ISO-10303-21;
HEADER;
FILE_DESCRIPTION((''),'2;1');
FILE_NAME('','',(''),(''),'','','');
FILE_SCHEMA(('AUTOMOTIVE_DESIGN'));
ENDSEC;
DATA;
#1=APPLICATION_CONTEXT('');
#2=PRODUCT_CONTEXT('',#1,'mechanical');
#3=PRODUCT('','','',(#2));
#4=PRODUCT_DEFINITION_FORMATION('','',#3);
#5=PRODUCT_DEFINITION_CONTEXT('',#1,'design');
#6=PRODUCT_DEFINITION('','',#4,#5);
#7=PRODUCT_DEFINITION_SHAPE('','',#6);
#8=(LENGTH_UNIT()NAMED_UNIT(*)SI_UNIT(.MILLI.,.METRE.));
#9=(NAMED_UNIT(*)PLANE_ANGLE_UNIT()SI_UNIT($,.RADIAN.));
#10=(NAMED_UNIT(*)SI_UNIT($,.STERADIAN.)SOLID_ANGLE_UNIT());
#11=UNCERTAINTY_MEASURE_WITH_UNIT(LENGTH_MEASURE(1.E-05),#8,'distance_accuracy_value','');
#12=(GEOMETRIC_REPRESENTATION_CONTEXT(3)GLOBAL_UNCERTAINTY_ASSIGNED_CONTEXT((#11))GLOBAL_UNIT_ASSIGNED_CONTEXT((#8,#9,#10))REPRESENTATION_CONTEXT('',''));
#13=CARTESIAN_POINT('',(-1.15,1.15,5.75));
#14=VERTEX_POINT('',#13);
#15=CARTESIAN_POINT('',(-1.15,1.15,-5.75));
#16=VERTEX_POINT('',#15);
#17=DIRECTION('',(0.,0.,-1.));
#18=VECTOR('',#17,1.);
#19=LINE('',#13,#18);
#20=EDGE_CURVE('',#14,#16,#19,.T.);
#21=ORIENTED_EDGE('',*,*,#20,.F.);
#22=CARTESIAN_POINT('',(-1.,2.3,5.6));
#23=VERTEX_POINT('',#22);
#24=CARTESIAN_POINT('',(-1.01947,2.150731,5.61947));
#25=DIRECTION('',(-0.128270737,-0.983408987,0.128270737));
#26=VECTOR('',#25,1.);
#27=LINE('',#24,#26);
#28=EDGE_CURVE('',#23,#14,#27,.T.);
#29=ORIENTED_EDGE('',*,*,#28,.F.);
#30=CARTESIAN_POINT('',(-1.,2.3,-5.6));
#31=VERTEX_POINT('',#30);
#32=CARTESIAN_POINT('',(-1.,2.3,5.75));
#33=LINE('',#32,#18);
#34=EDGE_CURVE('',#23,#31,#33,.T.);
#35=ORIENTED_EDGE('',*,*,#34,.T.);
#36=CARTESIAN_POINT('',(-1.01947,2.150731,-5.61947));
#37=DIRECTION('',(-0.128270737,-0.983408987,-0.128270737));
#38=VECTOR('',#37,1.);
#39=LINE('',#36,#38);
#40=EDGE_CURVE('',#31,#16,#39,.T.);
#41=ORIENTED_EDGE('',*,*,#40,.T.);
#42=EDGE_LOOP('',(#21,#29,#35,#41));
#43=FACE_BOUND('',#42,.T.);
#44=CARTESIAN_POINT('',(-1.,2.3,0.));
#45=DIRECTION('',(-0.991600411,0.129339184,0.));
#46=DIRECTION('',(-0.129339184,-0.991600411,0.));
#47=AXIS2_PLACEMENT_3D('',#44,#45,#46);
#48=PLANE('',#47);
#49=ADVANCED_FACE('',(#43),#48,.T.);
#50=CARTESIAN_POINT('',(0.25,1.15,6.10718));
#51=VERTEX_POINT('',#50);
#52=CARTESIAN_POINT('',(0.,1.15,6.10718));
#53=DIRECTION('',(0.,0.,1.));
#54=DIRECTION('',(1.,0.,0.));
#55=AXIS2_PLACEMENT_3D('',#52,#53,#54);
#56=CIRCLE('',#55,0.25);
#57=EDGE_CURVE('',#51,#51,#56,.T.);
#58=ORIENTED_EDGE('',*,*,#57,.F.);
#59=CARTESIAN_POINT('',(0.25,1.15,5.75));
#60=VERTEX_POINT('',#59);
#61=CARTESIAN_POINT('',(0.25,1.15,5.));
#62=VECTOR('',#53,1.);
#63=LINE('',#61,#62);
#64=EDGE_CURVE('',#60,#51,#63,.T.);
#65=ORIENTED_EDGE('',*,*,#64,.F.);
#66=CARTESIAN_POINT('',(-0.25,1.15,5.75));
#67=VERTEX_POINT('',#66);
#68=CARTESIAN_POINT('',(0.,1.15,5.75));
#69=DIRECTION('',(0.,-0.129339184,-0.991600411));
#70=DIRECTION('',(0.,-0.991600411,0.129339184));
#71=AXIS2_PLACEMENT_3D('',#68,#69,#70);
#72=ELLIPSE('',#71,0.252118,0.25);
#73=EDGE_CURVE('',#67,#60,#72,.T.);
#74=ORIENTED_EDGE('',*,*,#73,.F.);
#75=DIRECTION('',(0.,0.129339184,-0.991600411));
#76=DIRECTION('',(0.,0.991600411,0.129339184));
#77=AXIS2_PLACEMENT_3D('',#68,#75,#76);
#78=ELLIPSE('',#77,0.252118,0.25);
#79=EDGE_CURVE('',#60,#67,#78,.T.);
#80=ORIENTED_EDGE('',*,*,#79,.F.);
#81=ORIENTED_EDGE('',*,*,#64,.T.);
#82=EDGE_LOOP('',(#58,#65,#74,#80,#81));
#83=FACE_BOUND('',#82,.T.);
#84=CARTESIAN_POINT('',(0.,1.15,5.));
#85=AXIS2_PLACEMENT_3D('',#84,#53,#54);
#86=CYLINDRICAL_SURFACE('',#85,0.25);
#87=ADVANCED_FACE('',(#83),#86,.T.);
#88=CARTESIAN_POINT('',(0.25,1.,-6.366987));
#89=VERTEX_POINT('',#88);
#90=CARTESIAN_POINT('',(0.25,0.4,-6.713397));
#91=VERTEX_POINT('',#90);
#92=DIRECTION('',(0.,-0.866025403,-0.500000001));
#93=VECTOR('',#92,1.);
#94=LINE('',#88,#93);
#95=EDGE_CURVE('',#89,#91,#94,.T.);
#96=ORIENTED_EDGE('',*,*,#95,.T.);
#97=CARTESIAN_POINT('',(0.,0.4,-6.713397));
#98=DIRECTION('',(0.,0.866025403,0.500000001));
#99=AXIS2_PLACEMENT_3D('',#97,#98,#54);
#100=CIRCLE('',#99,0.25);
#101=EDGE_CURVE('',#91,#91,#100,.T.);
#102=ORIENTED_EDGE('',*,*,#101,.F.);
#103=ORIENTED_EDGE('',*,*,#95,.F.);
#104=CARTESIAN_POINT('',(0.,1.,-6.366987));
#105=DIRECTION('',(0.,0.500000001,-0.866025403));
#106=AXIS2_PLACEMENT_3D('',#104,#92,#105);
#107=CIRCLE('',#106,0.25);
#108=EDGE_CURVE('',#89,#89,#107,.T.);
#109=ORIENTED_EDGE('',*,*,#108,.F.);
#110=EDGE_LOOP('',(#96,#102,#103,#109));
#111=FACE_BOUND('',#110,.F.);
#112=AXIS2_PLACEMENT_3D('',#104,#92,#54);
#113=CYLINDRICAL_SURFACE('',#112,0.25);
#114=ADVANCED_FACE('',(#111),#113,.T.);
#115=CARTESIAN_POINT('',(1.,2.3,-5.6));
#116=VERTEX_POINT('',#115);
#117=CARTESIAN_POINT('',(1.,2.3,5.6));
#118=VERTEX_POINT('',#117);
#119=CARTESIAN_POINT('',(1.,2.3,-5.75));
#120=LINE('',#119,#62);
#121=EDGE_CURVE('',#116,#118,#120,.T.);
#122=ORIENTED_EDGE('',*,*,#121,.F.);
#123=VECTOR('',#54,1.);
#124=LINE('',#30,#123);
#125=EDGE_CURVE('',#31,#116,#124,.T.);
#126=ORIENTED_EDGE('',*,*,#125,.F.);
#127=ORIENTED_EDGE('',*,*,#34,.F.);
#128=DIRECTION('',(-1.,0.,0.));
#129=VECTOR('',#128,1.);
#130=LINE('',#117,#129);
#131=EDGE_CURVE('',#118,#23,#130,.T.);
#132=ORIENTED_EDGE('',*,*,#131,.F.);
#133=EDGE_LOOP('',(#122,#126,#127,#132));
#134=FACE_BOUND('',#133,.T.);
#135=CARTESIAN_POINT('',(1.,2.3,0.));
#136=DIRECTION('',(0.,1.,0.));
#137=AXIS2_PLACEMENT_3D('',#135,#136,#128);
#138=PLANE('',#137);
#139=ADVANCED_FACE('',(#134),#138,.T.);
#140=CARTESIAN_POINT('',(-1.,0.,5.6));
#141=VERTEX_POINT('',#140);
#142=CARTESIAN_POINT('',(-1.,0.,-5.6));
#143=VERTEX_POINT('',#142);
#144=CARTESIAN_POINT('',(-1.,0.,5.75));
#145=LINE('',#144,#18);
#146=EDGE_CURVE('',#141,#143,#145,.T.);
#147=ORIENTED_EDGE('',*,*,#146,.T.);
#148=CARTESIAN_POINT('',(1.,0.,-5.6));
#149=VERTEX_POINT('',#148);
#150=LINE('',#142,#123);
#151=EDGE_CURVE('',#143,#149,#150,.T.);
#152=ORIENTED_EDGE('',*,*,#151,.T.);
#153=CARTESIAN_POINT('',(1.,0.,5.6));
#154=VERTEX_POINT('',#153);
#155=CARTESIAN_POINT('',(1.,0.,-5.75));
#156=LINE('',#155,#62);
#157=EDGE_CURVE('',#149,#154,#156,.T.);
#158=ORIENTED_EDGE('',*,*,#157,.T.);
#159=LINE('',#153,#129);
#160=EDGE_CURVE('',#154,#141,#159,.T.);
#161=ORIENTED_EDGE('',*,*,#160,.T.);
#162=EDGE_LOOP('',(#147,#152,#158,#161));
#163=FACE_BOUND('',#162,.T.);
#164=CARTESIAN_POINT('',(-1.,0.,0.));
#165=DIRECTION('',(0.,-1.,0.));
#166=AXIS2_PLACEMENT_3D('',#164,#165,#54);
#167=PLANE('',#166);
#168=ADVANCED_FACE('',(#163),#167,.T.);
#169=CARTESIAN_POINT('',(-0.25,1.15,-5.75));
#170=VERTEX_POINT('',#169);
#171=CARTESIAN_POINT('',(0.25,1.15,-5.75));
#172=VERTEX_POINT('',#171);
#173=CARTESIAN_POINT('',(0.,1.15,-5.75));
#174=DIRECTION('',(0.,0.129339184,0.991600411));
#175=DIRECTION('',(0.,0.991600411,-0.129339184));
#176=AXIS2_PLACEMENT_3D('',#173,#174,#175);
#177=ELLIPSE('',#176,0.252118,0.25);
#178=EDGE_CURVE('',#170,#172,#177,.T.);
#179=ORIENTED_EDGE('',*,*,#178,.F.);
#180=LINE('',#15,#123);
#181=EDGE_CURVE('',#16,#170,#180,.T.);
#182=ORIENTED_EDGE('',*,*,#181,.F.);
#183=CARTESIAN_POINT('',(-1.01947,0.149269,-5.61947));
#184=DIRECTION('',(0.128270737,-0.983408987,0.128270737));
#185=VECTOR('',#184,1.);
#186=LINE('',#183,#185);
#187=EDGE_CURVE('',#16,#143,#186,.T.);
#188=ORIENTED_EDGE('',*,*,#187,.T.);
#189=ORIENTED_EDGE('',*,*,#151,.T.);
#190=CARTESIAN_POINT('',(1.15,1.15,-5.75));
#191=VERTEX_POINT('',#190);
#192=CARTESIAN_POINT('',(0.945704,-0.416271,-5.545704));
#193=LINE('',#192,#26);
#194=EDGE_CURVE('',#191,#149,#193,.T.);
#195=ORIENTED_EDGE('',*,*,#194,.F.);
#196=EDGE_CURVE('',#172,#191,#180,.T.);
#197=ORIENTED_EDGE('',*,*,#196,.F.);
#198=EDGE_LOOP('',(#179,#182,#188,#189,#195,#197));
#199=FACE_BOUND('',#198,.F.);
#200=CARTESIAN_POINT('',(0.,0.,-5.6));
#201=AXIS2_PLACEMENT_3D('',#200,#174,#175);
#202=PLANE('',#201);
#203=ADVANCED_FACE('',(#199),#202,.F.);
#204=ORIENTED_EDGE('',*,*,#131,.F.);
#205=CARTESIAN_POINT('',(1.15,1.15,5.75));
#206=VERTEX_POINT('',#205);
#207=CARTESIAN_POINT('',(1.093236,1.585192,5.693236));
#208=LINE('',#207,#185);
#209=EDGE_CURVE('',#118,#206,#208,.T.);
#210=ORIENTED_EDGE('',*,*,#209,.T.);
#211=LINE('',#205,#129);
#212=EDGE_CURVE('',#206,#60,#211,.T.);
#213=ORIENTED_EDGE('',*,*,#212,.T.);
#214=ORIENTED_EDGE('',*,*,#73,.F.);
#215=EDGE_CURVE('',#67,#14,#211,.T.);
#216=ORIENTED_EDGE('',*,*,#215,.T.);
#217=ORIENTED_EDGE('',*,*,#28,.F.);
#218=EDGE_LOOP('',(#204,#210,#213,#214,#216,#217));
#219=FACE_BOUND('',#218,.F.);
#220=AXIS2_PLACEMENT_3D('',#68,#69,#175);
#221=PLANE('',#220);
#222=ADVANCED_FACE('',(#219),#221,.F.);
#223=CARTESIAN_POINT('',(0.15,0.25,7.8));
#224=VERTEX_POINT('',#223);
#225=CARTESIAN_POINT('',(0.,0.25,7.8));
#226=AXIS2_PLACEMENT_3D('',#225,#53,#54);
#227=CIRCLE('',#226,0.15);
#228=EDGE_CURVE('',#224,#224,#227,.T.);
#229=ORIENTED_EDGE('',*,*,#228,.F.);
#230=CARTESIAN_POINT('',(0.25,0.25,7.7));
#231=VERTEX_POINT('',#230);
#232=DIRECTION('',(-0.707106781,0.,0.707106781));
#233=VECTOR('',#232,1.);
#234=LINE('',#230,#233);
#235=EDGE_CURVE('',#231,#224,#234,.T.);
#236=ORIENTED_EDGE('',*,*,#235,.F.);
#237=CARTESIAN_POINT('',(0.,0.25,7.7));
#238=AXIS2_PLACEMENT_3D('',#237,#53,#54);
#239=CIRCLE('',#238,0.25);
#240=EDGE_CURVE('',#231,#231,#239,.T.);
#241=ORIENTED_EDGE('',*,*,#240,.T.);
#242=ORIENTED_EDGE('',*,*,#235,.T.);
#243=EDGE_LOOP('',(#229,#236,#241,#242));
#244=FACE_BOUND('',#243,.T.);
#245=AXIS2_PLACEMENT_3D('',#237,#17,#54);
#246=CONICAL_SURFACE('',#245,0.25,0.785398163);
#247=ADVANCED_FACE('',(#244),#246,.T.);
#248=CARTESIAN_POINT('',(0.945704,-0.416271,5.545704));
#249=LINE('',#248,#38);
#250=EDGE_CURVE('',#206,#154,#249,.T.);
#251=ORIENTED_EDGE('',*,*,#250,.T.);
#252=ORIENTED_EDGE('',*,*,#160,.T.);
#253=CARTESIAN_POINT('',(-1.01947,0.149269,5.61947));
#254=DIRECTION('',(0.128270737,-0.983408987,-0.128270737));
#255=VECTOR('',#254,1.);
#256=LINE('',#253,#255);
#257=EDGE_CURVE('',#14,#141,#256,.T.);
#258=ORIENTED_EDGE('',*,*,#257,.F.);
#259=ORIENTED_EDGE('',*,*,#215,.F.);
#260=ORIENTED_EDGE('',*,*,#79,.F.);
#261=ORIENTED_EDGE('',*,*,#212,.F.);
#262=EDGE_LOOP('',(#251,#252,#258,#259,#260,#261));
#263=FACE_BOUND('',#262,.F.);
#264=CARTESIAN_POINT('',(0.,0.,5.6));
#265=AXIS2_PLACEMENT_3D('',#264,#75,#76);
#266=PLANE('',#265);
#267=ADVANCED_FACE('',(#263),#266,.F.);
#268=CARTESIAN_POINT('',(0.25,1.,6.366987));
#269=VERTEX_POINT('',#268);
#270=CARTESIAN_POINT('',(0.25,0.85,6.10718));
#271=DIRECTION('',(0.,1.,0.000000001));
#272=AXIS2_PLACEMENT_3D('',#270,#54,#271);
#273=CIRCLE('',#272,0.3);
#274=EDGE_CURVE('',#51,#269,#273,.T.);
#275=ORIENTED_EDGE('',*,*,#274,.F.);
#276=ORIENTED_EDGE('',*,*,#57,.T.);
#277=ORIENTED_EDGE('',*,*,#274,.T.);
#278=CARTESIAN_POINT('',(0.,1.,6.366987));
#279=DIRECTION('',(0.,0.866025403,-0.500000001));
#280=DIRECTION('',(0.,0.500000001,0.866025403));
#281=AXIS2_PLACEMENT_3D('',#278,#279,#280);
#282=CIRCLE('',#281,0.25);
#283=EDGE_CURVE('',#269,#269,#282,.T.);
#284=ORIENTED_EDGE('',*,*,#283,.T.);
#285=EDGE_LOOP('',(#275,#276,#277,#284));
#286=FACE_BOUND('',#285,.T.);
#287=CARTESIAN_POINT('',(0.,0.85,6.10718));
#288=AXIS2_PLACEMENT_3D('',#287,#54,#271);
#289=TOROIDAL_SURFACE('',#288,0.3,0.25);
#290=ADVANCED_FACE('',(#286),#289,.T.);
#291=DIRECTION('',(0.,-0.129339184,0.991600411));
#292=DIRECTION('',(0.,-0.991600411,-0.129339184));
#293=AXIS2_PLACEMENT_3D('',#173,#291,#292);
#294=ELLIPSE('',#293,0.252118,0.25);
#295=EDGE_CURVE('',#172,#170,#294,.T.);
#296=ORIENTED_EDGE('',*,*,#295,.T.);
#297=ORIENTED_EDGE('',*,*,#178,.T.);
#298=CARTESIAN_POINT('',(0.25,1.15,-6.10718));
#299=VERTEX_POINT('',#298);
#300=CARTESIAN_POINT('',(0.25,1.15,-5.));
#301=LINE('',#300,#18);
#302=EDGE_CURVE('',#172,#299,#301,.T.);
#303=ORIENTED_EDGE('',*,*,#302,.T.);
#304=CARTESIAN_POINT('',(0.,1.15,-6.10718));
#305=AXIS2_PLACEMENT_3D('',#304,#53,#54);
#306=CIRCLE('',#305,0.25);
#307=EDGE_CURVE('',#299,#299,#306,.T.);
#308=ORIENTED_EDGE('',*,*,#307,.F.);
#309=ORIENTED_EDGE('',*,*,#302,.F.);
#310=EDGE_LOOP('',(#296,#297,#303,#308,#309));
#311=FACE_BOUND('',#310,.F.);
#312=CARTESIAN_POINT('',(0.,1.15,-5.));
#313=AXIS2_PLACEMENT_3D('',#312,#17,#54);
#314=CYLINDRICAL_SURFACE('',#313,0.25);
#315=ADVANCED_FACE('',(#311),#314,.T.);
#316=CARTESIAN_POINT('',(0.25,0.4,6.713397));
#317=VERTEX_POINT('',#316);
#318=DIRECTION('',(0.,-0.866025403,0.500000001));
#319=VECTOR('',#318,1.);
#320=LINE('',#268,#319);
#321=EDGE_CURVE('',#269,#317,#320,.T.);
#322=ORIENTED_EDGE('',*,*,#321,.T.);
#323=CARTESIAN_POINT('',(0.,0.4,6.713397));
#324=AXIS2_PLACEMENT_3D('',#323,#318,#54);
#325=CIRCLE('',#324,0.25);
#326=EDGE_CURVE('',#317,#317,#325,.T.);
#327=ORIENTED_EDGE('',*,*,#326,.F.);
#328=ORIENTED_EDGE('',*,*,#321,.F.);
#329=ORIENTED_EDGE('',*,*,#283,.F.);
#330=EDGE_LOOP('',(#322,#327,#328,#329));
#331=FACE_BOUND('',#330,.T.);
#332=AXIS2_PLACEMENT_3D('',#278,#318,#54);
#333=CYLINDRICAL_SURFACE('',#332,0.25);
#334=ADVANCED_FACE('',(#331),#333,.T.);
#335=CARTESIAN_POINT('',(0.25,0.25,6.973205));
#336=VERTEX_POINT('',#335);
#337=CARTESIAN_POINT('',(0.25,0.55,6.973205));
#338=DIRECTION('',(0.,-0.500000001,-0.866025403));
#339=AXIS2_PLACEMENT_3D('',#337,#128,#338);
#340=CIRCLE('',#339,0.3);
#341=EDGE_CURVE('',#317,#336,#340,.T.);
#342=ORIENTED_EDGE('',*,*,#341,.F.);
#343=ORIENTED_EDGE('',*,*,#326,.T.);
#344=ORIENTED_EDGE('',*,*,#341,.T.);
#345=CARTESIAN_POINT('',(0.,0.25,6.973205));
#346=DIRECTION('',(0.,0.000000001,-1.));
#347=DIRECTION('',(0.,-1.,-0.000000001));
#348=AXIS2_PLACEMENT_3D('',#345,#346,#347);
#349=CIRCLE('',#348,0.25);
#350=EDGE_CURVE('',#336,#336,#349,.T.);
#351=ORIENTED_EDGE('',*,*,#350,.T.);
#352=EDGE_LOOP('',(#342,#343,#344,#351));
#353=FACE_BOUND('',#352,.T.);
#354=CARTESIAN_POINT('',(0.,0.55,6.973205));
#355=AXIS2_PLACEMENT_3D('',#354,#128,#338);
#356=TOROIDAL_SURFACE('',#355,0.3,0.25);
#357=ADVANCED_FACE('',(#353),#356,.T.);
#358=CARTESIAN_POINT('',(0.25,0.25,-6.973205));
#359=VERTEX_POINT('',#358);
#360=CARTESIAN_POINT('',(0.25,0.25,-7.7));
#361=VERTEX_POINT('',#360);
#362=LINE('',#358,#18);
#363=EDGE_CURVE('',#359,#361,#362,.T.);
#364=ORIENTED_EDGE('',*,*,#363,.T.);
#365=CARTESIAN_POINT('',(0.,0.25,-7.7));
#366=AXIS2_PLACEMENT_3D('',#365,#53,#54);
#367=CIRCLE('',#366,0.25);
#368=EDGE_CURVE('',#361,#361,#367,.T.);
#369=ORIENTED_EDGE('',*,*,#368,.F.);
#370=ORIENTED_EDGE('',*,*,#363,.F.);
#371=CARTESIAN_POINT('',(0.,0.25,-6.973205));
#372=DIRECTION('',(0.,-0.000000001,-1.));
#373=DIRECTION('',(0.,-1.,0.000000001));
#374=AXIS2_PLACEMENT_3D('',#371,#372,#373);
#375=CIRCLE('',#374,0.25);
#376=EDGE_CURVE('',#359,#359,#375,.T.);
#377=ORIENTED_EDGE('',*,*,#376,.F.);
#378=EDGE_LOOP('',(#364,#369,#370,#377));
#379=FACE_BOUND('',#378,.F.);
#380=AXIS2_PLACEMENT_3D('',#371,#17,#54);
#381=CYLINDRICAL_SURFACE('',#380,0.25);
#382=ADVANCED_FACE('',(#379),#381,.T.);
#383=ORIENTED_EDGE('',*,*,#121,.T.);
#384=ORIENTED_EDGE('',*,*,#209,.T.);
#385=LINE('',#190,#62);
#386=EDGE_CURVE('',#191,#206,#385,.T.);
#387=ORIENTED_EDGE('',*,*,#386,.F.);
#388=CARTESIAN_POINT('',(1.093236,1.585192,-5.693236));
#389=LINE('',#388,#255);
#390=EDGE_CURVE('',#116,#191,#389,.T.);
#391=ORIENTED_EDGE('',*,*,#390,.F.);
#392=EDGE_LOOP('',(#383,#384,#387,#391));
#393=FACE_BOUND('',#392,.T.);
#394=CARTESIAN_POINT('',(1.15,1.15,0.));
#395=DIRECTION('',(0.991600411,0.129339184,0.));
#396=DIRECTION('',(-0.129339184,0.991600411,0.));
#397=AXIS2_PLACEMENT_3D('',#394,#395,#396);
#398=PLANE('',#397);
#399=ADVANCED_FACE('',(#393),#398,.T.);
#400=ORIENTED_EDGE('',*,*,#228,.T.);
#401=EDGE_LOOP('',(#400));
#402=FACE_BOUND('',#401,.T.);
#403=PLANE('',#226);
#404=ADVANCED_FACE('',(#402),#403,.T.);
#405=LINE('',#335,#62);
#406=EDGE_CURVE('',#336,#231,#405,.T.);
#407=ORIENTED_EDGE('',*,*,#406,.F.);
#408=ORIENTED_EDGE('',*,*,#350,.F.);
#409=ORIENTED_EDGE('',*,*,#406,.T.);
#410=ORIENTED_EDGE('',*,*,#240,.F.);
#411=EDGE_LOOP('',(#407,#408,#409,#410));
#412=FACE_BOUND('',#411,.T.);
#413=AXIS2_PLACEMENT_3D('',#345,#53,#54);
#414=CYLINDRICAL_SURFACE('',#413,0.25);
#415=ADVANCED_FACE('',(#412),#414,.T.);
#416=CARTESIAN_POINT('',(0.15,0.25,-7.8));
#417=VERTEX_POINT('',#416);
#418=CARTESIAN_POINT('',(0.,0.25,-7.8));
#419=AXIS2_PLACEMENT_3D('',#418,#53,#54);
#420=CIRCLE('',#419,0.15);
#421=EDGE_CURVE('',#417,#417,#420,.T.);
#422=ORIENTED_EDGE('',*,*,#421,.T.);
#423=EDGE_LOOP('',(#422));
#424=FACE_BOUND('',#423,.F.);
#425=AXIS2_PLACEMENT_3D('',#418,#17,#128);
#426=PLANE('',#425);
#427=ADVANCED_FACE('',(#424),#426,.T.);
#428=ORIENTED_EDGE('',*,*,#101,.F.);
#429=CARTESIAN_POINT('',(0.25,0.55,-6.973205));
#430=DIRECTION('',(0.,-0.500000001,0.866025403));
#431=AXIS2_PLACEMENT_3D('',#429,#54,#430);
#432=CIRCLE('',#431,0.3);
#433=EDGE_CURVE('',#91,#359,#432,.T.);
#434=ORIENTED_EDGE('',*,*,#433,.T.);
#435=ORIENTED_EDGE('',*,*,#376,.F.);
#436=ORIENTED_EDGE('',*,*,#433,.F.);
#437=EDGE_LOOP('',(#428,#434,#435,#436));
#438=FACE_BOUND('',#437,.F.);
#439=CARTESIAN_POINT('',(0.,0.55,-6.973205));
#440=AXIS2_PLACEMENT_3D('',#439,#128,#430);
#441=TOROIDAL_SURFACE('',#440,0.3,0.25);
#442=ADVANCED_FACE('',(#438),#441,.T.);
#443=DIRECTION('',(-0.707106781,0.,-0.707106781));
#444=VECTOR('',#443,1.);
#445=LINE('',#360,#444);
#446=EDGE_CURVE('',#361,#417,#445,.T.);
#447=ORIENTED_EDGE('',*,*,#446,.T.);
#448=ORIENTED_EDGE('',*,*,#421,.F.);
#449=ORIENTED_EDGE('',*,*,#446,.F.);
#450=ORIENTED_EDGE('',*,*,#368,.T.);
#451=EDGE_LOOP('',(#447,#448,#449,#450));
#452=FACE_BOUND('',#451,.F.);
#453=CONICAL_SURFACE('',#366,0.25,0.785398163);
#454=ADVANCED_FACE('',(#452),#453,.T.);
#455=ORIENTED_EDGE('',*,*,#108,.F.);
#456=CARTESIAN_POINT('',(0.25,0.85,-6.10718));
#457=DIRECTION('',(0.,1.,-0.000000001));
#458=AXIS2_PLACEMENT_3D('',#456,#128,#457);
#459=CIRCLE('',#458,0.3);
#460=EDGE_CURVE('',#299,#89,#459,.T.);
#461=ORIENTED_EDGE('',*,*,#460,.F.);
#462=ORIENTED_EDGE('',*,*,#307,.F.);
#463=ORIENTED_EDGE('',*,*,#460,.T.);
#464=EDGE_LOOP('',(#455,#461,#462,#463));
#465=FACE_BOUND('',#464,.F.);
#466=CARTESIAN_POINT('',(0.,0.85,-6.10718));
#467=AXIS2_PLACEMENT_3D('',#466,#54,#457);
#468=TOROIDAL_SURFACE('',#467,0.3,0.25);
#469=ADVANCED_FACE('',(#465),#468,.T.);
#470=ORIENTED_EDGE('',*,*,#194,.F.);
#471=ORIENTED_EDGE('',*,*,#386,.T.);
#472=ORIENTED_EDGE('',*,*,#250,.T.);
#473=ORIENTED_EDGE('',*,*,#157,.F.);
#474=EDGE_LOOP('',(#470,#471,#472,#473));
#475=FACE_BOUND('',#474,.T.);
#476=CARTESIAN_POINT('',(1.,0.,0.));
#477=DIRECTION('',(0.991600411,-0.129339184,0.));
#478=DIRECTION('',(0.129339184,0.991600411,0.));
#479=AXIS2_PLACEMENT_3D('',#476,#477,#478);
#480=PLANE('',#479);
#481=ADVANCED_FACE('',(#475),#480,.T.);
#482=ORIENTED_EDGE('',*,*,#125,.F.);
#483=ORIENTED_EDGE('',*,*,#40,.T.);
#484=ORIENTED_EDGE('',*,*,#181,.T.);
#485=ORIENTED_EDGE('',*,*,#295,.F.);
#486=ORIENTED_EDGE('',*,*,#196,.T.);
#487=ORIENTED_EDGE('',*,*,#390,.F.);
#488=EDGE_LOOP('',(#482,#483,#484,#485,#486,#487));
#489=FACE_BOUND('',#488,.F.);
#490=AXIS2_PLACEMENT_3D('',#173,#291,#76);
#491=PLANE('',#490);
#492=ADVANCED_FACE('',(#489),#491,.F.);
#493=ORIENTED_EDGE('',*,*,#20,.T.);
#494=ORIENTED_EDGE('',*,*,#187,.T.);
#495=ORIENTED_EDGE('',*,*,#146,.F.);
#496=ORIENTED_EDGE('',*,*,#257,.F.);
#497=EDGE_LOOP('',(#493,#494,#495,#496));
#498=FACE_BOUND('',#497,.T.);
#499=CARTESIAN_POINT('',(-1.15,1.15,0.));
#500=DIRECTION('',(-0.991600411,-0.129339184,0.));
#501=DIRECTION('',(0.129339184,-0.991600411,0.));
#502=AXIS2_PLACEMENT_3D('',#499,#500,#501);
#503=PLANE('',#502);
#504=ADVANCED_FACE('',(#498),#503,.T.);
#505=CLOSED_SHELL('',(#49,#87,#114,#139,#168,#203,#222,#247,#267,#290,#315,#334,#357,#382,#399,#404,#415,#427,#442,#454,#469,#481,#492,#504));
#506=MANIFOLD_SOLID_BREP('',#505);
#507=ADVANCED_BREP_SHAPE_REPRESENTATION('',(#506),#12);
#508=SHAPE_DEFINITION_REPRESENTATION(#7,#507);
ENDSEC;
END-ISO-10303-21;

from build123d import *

# Parameters (mm, degrees)
BOSS_EXTRUDE1_DEPTH     = 5.75
CUT_EXTRUDE1_DEPTH      = 2.15
CUT_EXTRUDE1_DEPTH_BACK = 11
SKETCH4_R               = 0.25
CHAMFER1_SIZE           = 0.1


with BuildPart() as part:
    # Sketch1 → Boss-Extrude1 (new body, symmetric)
    with BuildSketch(Plane.XY):
        Polygon((-1, 0), (1, 0), (1.15, 1.15), (1, 2.3), (-1, 2.3), (-1.15, 1.15), align=None)
    extrude(amount=BOSS_EXTRUDE1_DEPTH, both=True)

    # Sketch2 → Cut-Extrude1 (cut, two sides)
    with BuildSketch(Plane(origin=(0, 0, 0), x_dir=(0, 0, -1), z_dir=(1, 0, 0))) as cut_extrude1_sk:
        Polygon((5.75, 1.15), (5.6, 2.3), (6.6, 2.3), (6.6, 0), (5.6, 0), align=None)
        Polygon((-5.6, 0), (-5.75, 1.15), (-5.6, 2.3), (-6.6, 2.3), (-6.6, 0), align=None)
    extrude(amount=CUT_EXTRUDE1_DEPTH, mode=Mode.SUBTRACT)
    extrude(cut_extrude1_sk.sketch, amount=-CUT_EXTRUDE1_DEPTH_BACK, mode=Mode.SUBTRACT)

    # Sweep1: sweep along a path in Sketch5
    with BuildLine(Plane(origin=(0, 0, 0), x_dir=(0, 0, -1), z_dir=(1, 0, 0))) as sweep1_path:
        Line((-5, 1.15), (-6.107179677, 1.15))
        ThreePointArc((-6.107179677, 1.15), (-6.257179677, 1.109807621), (-6.366987298, 1))
        Line((-6.366987298, 1), (-6.71339746, 0.4))
        ThreePointArc((-6.71339746, 0.4), (-6.823205081, 0.290192379), (-6.973205081, 0.25))
        Line((-6.973205081, 0.25), (-7.8, 0.25))
    # Sketch4 → Sweep1 (sweep)
    with BuildSketch(Plane.XY.offset(5)):
        with Locations((0, 1.15)):
            Circle(SKETCH4_R)
    sweep1 = sweep(path=sweep1_path.line)

    # Mirror1: Sweep1 across plane
    add(sweep1.mirror(Plane.XY))

    # Chamfer1
    chamfer1_edges = [part.edges().sort_by_distance(p)[0] for p in [
        (-0.25, 0.25, 7.8),
        (-0.25, 0.25, -7.8),
    ]]
    chamfer(chamfer1_edges, length=CHAMFER1_SIZE)


solid = part.part
